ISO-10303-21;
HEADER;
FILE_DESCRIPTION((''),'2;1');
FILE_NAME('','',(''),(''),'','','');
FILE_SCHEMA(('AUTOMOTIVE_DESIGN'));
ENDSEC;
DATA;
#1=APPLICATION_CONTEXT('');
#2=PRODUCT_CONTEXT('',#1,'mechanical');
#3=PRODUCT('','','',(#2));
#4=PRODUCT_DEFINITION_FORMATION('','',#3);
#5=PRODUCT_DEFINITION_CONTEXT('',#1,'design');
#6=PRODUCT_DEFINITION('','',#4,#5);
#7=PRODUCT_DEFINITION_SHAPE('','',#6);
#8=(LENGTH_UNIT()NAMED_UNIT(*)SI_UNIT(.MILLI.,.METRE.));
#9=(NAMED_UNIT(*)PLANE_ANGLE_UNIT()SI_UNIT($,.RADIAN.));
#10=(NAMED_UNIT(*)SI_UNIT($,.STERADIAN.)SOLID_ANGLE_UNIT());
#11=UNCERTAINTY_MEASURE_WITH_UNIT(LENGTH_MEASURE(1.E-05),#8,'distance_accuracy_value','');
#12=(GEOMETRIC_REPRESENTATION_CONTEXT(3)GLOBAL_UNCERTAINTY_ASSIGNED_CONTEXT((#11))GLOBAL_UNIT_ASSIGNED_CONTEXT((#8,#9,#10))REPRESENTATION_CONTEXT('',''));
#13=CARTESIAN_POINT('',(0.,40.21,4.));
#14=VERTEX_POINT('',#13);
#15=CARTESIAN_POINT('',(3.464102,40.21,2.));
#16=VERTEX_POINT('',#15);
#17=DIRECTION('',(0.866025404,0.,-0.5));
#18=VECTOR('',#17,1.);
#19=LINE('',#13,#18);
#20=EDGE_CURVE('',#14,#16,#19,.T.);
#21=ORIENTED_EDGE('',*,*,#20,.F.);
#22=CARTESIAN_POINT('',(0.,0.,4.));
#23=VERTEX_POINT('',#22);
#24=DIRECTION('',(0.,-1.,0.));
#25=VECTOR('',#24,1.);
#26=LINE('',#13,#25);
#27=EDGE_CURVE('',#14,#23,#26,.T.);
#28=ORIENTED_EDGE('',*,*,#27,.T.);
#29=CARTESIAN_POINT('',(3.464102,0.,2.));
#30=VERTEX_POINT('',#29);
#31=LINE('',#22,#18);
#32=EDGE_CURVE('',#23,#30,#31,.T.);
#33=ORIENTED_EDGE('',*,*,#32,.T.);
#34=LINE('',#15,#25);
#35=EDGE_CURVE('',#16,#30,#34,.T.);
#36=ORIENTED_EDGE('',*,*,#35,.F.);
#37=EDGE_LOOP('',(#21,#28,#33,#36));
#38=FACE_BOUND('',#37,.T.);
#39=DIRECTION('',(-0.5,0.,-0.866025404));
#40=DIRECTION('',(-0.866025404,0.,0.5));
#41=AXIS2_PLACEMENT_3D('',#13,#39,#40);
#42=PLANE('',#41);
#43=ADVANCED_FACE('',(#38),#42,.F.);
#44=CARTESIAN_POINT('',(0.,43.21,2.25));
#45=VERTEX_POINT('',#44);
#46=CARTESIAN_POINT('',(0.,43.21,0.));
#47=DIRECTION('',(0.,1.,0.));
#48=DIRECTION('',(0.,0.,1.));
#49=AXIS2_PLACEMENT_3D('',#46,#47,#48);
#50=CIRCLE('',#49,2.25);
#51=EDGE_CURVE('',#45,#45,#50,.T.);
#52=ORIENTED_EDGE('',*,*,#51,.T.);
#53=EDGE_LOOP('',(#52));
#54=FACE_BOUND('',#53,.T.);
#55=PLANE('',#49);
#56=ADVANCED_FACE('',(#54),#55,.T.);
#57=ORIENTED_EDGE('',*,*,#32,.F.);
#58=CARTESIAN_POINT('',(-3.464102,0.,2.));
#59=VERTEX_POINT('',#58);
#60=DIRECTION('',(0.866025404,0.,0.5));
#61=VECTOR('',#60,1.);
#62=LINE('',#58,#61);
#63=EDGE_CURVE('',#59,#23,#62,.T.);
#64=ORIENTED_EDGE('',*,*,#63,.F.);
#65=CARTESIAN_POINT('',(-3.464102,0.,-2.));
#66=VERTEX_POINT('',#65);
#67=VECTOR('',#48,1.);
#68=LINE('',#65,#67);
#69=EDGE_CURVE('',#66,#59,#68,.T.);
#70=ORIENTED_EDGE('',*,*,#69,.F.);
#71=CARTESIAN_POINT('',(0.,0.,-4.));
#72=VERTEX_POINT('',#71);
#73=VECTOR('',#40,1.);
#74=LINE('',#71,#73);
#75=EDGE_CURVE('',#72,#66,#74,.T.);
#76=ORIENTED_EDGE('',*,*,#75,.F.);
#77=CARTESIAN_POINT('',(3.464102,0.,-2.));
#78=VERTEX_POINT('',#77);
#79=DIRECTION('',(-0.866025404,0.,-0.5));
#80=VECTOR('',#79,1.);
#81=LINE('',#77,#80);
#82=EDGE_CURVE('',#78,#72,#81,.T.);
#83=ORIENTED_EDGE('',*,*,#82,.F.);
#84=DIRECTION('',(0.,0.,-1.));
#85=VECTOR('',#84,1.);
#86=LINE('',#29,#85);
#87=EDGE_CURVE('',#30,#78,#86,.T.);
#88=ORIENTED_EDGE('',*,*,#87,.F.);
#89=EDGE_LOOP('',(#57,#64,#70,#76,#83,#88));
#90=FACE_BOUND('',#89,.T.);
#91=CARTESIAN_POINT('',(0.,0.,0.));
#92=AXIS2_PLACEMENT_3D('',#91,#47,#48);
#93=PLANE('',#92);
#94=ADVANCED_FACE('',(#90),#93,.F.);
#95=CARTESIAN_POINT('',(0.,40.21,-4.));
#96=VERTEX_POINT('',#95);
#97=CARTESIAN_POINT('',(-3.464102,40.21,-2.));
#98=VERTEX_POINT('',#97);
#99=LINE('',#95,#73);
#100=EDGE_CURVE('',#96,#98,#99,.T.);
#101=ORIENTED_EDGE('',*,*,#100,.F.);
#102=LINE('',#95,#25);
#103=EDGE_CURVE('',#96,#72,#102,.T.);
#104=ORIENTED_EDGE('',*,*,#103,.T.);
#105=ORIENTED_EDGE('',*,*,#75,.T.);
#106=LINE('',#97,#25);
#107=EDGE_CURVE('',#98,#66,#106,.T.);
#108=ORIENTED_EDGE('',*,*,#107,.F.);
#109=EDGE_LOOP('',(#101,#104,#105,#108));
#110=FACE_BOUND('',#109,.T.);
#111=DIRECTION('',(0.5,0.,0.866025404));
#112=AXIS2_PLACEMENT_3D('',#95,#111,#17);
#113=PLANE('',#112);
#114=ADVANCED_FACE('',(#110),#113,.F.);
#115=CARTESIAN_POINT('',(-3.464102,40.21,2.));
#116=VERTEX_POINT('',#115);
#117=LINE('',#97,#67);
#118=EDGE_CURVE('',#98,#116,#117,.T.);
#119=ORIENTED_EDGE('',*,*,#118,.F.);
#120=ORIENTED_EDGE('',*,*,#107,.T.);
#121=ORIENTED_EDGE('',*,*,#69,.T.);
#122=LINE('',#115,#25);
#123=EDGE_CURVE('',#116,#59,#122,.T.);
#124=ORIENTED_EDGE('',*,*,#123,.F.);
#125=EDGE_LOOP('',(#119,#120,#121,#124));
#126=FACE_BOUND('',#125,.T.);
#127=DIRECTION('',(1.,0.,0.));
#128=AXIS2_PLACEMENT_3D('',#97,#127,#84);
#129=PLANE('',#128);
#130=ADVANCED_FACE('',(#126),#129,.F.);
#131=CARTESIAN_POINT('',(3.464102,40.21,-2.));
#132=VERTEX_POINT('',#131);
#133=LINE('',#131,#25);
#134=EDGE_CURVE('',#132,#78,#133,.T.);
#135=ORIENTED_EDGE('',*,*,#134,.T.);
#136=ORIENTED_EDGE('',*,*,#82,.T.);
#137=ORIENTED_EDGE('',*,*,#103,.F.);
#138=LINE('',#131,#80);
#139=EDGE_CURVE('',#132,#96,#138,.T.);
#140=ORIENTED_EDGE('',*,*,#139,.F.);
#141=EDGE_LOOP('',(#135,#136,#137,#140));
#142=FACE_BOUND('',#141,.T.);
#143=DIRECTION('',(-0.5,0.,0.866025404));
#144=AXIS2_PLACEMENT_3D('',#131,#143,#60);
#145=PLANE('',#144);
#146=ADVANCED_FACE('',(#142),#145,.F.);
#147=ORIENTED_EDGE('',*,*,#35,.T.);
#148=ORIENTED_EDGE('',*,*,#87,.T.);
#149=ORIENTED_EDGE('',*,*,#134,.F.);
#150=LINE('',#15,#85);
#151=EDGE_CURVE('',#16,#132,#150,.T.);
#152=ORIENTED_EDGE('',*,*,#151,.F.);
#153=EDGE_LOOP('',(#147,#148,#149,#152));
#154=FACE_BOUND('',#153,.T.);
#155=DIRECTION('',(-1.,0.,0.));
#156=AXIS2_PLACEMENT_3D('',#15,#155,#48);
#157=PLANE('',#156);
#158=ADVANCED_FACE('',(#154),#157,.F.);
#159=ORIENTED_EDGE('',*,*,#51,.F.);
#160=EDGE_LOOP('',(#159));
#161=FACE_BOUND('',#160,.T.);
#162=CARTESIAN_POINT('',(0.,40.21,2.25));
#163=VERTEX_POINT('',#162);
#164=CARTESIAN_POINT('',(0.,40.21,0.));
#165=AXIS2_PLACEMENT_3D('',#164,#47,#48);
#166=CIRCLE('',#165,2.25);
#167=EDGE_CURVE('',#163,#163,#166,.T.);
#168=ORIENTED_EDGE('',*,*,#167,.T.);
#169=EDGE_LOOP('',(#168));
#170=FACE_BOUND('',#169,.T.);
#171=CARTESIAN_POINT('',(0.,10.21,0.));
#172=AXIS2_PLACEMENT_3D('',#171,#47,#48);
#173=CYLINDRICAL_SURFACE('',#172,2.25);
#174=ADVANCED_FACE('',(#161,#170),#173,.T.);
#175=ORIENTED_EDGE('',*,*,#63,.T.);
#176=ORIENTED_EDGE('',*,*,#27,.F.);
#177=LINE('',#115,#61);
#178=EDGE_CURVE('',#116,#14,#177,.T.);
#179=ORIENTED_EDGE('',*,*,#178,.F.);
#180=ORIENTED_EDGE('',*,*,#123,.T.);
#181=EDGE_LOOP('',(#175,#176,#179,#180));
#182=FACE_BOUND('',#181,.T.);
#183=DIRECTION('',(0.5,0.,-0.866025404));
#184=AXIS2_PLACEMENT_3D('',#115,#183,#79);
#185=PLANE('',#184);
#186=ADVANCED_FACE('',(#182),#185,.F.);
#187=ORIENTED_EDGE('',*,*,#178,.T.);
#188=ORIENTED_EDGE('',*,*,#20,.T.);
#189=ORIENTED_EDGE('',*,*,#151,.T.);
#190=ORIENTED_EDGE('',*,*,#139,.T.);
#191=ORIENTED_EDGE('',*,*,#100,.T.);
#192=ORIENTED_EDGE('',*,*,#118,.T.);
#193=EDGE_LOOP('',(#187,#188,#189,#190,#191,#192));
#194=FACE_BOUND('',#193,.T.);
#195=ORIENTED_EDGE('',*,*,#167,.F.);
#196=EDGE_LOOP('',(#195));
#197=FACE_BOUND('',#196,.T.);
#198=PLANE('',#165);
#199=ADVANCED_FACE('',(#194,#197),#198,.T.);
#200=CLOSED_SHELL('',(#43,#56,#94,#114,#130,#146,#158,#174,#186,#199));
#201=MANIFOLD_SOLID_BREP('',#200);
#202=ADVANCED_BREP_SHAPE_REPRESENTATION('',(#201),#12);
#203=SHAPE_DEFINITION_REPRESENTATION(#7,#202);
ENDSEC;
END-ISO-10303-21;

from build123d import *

# Parameters (mm, degrees)
BOSS_EXTRUDE1_DEPTH      = 40.21
SKETCH2_R                = 2.25
BOSS_EXTRUDE2_DEPTH      = 3
BOSS_EXTRUDE2_DEPTH_BACK = 30


with BuildPart() as part:
    # Sketch1 → Boss-Extrude1 (new body)
    with BuildSketch(Plane(origin=(0, 0, 0), x_dir=(1, 0, 0), z_dir=(0, 1, 0))):
        Polygon((0, -4), (3.464101615, -2), (3.464101615, 2), (0, 4), (-3.464101615, 2), (-3.464101615, -2), align=None)
    extrude(amount=BOSS_EXTRUDE1_DEPTH)

    # Sketch2 → Boss-Extrude2 (add, two sides)
    with BuildSketch(Plane(origin=(0, 40.21, 0), x_dir=(1, 0, 0), z_dir=(0, 1, 0))) as boss_extrude2_sk:
        Circle(SKETCH2_R)
    extrude(amount=BOSS_EXTRUDE2_DEPTH)
    extrude(boss_extrude2_sk.sketch, amount=-BOSS_EXTRUDE2_DEPTH_BACK)


solid = part.part
